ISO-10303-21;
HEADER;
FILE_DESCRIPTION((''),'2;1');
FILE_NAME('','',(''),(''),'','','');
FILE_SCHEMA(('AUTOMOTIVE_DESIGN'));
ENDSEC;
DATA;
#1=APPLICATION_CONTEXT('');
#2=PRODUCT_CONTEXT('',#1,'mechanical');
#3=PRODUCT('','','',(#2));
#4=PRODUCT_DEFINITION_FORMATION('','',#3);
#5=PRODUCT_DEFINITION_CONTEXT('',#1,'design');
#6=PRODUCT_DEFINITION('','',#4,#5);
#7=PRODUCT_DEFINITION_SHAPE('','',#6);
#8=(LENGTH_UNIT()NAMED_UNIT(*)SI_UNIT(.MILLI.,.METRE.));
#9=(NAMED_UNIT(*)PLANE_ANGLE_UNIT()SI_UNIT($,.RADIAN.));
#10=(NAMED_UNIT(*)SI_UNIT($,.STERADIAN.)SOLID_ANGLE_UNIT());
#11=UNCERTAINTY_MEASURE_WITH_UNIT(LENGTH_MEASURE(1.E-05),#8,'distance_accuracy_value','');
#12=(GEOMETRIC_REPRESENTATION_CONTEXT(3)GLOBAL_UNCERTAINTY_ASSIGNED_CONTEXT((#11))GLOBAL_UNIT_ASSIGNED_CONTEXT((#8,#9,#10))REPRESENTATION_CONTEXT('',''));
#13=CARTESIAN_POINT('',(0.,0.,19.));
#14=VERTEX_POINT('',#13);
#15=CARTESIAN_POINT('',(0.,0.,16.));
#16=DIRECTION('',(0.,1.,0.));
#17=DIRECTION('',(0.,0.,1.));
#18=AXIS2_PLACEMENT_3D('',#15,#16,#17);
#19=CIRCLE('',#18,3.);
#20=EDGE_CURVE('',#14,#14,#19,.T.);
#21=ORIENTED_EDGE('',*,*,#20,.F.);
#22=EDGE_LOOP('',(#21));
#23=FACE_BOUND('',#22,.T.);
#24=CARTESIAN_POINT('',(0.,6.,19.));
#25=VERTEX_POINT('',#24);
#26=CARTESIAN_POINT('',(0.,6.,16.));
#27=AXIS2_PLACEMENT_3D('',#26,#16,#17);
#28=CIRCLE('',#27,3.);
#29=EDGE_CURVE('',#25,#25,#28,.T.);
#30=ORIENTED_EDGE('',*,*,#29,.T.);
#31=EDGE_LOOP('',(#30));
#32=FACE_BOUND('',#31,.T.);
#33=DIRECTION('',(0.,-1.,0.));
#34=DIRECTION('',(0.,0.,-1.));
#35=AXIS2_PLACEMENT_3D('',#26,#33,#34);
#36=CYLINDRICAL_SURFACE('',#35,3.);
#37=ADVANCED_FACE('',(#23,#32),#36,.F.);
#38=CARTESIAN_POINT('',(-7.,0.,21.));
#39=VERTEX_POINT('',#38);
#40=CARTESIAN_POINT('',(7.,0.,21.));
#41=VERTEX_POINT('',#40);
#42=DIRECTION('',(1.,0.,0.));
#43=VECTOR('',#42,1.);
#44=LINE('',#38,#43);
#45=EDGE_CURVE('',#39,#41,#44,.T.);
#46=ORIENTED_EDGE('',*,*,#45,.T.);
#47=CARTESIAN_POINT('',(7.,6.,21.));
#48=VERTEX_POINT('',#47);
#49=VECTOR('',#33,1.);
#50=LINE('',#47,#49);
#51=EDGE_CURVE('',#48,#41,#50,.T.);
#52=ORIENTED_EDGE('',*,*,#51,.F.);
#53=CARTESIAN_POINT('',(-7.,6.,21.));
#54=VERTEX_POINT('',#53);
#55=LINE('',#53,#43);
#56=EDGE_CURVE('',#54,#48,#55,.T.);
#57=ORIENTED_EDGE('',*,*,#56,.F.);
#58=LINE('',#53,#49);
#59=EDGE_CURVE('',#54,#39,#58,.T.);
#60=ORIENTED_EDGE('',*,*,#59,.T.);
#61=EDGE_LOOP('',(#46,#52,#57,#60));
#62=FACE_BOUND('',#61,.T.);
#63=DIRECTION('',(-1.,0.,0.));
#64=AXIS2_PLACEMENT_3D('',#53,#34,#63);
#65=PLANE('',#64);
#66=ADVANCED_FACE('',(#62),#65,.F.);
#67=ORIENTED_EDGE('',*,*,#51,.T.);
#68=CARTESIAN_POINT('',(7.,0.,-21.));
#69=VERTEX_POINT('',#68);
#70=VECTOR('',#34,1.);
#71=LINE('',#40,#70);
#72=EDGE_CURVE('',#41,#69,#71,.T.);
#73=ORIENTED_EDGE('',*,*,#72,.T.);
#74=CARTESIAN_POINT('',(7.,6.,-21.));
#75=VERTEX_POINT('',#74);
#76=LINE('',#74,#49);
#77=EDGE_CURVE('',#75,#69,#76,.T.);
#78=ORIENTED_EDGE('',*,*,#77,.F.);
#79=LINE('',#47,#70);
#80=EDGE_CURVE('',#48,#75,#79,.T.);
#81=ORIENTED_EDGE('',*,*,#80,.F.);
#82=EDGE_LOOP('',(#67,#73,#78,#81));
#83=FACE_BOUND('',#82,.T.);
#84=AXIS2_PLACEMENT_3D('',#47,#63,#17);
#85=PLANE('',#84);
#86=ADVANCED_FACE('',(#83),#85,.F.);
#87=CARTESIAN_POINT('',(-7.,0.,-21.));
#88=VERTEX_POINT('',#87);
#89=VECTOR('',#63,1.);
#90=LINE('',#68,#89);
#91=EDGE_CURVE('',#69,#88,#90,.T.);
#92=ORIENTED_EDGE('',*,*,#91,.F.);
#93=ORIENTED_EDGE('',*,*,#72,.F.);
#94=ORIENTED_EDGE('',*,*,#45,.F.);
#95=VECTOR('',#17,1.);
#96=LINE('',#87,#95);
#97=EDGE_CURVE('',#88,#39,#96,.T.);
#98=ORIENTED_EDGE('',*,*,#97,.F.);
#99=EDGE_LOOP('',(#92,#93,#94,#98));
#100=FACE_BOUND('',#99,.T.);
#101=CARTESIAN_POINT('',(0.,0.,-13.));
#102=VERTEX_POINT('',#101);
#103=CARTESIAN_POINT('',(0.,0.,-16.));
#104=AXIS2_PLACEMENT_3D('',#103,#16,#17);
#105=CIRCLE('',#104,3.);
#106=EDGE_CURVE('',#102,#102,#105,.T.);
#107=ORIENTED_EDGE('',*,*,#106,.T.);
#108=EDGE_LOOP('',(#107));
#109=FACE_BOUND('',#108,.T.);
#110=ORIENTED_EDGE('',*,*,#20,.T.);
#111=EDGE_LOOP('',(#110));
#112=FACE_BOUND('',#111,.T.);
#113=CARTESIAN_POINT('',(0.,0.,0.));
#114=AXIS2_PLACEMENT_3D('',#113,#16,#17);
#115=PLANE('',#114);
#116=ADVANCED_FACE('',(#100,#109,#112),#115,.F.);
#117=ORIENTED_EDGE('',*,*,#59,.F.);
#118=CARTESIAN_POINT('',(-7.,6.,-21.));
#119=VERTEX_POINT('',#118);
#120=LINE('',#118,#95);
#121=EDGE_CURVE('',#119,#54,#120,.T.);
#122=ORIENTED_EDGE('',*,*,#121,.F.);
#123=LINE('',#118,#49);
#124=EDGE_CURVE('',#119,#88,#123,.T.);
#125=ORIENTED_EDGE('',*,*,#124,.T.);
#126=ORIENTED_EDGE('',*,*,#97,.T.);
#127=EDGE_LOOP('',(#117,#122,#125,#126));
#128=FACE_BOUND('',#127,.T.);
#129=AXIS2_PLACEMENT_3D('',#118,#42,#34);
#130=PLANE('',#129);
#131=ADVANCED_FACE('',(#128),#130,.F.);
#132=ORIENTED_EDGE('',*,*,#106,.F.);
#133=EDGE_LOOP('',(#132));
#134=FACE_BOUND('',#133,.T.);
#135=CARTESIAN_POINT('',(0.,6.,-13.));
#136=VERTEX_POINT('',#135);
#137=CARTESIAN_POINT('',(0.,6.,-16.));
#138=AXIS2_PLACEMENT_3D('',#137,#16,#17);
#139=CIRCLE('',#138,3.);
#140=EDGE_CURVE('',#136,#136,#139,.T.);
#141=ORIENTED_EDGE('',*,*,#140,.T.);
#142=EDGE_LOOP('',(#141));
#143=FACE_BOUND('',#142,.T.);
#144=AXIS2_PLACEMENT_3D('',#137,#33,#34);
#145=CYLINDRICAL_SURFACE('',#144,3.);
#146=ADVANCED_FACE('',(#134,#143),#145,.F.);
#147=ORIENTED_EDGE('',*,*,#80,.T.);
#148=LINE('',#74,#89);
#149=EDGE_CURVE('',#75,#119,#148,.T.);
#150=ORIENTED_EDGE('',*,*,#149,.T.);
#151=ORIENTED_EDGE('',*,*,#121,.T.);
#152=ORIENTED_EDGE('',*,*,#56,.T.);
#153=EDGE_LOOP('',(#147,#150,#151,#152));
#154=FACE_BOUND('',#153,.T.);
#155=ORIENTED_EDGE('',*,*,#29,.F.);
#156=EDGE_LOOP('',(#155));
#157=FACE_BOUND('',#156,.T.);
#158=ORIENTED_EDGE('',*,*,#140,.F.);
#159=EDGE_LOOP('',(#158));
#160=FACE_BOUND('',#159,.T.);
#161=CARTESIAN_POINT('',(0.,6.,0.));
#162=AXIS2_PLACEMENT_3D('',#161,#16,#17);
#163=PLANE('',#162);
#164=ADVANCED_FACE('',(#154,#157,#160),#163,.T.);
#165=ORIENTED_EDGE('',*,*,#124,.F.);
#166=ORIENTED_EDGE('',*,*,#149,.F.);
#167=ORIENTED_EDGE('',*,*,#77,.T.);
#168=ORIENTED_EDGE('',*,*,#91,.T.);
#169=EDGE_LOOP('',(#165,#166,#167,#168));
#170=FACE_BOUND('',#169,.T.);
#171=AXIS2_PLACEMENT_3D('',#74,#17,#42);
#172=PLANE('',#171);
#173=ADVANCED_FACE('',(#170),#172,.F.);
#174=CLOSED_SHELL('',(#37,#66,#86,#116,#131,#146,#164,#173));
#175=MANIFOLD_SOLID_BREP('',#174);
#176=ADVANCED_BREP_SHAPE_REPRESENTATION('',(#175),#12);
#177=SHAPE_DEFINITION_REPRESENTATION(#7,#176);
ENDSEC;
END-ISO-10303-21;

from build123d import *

# Parameters (mm, degrees)
SKETCH1_W           = 14
SKETCH1_H           = 42
SKETCH1_R           = 3
BOSS_EXTRUDE1_DEPTH = 6


with BuildPart() as part:
    # Sketch1 → Boss-Extrude1 (new body)
    with BuildSketch(Plane(origin=(0, 0, 0), x_dir=(1, 0, 0), z_dir=(0, 1, 0))):
        Rectangle(SKETCH1_W, SKETCH1_H)
        with Locations(Location((0, 16, 0), (0, 0, 270))):
            Circle(SKETCH1_R, mode=Mode.SUBTRACT)
        with Locations(Location((0, -16, 0), (0, 0, 270))):
            Circle(SKETCH1_R, mode=Mode.SUBTRACT)
    extrude(amount=BOSS_EXTRUDE1_DEPTH)


solid = part.part
